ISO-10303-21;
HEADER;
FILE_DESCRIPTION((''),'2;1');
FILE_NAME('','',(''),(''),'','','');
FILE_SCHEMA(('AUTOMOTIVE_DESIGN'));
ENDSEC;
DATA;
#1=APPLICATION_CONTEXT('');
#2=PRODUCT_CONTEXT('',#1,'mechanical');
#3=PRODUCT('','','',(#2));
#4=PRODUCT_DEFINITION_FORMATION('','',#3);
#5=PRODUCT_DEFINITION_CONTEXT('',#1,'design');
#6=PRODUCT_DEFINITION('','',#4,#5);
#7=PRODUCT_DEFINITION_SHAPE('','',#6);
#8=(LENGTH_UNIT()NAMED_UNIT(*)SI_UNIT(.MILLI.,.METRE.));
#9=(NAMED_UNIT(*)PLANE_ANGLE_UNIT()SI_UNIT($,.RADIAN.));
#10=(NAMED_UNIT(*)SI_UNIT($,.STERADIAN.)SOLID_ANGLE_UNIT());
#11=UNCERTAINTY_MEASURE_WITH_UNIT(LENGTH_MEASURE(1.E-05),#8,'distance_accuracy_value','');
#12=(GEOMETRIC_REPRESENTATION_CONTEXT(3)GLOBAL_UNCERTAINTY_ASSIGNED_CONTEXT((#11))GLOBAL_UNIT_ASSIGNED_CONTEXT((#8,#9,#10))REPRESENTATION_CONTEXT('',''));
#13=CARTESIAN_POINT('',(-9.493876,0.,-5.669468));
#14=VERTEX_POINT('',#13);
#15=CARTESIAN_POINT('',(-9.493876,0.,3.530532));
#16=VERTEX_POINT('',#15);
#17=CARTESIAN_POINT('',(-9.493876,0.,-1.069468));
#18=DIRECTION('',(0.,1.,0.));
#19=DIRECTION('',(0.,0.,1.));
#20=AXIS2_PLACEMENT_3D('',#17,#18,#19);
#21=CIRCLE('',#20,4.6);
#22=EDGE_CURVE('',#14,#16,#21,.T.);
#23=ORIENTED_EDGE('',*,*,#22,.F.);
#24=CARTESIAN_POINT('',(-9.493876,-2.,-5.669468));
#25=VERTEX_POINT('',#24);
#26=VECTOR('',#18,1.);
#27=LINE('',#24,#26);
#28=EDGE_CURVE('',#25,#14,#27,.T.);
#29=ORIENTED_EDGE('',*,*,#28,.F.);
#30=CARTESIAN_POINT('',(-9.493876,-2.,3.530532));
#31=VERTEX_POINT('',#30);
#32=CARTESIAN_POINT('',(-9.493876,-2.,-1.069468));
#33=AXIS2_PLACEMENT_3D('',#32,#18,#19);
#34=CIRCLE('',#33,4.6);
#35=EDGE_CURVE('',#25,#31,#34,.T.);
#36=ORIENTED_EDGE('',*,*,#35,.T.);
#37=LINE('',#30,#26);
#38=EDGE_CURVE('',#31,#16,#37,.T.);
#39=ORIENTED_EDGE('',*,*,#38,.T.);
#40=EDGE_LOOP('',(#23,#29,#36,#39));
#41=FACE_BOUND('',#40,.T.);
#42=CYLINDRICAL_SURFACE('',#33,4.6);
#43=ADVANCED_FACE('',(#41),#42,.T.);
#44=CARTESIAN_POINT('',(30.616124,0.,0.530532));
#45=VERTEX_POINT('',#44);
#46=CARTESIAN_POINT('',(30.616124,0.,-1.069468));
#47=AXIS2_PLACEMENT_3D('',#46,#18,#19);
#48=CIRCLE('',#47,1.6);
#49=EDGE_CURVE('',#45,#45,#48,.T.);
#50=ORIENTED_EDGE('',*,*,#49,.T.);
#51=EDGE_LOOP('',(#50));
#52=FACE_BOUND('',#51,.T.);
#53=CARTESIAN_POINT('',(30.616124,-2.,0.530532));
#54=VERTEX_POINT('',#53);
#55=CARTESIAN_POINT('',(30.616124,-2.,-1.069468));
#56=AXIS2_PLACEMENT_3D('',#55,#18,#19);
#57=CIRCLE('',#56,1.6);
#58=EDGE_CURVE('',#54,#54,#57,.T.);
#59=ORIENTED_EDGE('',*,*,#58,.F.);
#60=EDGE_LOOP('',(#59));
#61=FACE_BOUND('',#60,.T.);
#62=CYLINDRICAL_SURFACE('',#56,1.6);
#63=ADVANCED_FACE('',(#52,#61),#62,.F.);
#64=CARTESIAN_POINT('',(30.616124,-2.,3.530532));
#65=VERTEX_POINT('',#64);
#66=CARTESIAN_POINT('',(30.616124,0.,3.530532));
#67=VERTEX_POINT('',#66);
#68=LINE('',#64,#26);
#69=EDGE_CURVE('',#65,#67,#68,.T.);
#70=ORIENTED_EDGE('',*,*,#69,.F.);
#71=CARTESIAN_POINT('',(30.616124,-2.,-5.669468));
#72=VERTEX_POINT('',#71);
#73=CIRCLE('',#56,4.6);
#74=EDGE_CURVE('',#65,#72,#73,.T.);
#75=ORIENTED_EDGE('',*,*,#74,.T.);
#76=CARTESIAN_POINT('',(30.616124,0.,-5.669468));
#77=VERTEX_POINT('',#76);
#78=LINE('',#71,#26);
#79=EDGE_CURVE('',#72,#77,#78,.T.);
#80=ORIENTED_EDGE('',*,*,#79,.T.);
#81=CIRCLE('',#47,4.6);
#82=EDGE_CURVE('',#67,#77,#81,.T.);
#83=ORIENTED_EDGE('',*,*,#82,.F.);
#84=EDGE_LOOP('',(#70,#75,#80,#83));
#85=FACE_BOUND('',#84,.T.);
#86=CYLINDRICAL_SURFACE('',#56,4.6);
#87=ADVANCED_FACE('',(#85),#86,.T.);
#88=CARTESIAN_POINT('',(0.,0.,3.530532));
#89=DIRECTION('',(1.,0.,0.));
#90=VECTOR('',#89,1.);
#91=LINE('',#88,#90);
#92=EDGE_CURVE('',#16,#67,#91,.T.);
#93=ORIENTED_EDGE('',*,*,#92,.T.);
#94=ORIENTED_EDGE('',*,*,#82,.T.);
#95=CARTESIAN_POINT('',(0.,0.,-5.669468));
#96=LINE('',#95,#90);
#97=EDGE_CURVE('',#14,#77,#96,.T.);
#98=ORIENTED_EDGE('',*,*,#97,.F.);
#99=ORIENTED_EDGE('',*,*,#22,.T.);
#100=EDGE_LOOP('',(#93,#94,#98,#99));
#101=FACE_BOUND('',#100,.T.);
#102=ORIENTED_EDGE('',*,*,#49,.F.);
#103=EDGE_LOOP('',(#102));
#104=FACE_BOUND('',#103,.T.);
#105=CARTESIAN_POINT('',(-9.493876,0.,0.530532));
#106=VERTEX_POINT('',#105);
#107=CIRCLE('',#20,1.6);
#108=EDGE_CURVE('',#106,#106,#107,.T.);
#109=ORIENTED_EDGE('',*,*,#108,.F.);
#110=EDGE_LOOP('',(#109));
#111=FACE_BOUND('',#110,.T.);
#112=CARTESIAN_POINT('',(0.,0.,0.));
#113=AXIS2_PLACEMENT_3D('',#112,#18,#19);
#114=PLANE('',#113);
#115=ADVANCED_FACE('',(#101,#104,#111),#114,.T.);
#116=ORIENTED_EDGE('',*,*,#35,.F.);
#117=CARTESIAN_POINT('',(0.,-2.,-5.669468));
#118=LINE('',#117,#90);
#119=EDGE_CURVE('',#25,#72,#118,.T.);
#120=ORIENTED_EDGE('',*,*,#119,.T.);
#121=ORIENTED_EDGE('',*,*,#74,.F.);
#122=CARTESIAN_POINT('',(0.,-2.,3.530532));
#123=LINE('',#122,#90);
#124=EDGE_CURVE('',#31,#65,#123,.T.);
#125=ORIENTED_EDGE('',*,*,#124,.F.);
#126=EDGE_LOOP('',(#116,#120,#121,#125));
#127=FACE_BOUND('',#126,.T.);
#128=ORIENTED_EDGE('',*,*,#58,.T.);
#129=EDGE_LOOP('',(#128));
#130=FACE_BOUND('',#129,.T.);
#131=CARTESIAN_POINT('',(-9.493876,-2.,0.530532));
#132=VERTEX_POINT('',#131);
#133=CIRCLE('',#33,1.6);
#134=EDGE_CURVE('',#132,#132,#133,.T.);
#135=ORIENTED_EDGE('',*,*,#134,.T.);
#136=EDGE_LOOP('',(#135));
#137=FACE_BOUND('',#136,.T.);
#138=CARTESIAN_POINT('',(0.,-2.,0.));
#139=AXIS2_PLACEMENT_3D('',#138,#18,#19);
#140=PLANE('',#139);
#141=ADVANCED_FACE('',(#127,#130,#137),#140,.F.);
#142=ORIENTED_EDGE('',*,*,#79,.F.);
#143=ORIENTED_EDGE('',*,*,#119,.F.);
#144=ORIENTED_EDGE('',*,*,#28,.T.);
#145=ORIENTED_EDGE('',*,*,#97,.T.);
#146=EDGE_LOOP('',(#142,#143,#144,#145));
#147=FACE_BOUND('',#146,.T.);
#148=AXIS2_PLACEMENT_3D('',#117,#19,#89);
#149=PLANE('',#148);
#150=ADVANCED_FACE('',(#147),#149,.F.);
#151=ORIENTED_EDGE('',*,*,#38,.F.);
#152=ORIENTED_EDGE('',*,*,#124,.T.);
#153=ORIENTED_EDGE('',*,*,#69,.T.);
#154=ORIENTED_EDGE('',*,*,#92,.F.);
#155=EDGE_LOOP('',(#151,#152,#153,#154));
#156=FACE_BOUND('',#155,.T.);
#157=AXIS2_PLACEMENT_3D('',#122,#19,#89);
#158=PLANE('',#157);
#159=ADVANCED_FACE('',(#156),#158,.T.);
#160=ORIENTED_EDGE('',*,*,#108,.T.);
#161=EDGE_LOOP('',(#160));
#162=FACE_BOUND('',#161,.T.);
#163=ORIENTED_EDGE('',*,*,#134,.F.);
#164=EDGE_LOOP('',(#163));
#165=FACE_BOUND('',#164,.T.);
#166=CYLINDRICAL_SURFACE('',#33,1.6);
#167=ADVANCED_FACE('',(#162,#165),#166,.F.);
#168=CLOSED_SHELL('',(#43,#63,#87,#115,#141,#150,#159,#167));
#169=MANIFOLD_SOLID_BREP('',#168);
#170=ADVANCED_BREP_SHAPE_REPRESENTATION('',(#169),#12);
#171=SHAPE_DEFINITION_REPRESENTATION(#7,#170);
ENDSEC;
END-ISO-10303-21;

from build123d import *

# Parameters (mm, degrees)
BOSS_EXTRUDE1_DEPTH = 2


with BuildPart() as part:
    # Sketch1 → Boss-Extrude1 (new body)
    with BuildSketch(Plane(origin=(0, 0, 0), x_dir=(1, 0, 0), z_dir=(0, 1, 0))):
        with BuildLine():
            ThreePointArc((-9.493876204, 2.669468268), (-8.362505354, 2.200839118), (-7.893876204, 1.069468268))
            Line((-7.893876204, 1.069468268), (-4.893876204, 1.069468268))
            ThreePointArc((-4.893876204, 1.069468268), (-6.24118501, 4.322159461), (-9.493876204, 5.669468268))
            Line((-9.493876204, 5.669468268), (-9.493876204, 2.669468268))
        make_face()
        with BuildLine():
            ThreePointArc((-9.493876204, -0.530531732), (-11.093876204, 1.069468268), (-9.493876204, 2.669468268))
            Line((-9.493876204, 2.669468268), (-9.493876204, 5.669468268))
            ThreePointArc((-9.493876204, 5.669468268), (-14.093876204, 1.069468268), (-9.493876204, -3.530531732))
            Line((-9.493876204, -3.530531732), (-9.493876204, -0.530531732))
        make_face()
        with BuildLine():
            Line((-4.893876204, 1.069468268), (-7.893876204, 1.069468268))
            ThreePointArc((-7.893876204, 1.069468268), (-8.362505354, -0.061902582), (-9.493876204, -0.530531732))
            Line((-9.493876204, -0.530531732), (-9.493876204, -3.530531732))
            ThreePointArc((-9.493876204, -3.530531732), (-6.24118501, -2.183222925), (-4.893876204, 1.069468268))
        make_face()
        with BuildLine():
            Line((26.016123796, 1.069468268), (-4.893876204, 1.069468268))
            ThreePointArc((-4.893876204, 1.069468268), (-6.24118501, -2.183222925), (-9.493876204, -3.530531732))
            Line((-9.493876204, -3.530531732), (30.616123796, -3.530531732))
            ThreePointArc((30.616123796, -3.530531732), (27.363432603, -2.183222925), (26.016123796, 1.069468268))
        make_face()
        with BuildLine():
            ThreePointArc((-9.493876204, 5.669468268), (-6.24118501, 4.322159461), (-4.893876204, 1.069468268))
            Line((-4.893876204, 1.069468268), (26.016123796, 1.069468268))
            ThreePointArc((26.016123796, 1.069468268), (27.363432603, 4.322159461), (30.616123796, 5.669468268))
            Line((30.616123796, 5.669468268), (-9.493876204, 5.669468268))
        make_face()
        with BuildLine():
            Line((29.016123796, 1.069468268), (26.016123796, 1.069468268))
            ThreePointArc((26.016123796, 1.069468268), (27.363432603, -2.183222925), (30.616123796, -3.530531732))
            Line((30.616123796, -3.530531732), (30.616123796, -0.530531732))
            ThreePointArc((30.616123796, -0.530531732), (29.484752947, -0.061902582), (29.016123796, 1.069468268))
        make_face()
        with BuildLine():
            ThreePointArc((30.616123796, 5.669468268), (27.363432603, 4.322159461), (26.016123796, 1.069468268))
            Line((26.016123796, 1.069468268), (29.016123796, 1.069468268))
            ThreePointArc((29.016123796, 1.069468268), (29.484752947, 2.200839118), (30.616123796, 2.669468268))
            Line((30.616123796, 2.669468268), (30.616123796, 5.669468268))
        make_face()
        with BuildLine():
            ThreePointArc((35.216123796, 1.069468268), (33.86881499, 4.322159461), (30.616123796, 5.669468268))
            Line((30.616123796, 5.669468268), (30.616123796, 2.669468268))
            ThreePointArc((30.616123796, 2.669468268), (31.747494646, 2.200839118), (32.216123796, 1.069468268))
            ThreePointArc((32.216123796, 1.069468268), (31.747494646, -0.061902582), (30.616123796, -0.530531732))
            Line((30.616123796, -0.530531732), (30.616123796, -3.530531732))
            ThreePointArc((30.616123796, -3.530531732), (33.86881499, -2.183222925), (35.216123796, 1.069468268))
        make_face()
    extrude(amount=-BOSS_EXTRUDE1_DEPTH)


solid = part.part
